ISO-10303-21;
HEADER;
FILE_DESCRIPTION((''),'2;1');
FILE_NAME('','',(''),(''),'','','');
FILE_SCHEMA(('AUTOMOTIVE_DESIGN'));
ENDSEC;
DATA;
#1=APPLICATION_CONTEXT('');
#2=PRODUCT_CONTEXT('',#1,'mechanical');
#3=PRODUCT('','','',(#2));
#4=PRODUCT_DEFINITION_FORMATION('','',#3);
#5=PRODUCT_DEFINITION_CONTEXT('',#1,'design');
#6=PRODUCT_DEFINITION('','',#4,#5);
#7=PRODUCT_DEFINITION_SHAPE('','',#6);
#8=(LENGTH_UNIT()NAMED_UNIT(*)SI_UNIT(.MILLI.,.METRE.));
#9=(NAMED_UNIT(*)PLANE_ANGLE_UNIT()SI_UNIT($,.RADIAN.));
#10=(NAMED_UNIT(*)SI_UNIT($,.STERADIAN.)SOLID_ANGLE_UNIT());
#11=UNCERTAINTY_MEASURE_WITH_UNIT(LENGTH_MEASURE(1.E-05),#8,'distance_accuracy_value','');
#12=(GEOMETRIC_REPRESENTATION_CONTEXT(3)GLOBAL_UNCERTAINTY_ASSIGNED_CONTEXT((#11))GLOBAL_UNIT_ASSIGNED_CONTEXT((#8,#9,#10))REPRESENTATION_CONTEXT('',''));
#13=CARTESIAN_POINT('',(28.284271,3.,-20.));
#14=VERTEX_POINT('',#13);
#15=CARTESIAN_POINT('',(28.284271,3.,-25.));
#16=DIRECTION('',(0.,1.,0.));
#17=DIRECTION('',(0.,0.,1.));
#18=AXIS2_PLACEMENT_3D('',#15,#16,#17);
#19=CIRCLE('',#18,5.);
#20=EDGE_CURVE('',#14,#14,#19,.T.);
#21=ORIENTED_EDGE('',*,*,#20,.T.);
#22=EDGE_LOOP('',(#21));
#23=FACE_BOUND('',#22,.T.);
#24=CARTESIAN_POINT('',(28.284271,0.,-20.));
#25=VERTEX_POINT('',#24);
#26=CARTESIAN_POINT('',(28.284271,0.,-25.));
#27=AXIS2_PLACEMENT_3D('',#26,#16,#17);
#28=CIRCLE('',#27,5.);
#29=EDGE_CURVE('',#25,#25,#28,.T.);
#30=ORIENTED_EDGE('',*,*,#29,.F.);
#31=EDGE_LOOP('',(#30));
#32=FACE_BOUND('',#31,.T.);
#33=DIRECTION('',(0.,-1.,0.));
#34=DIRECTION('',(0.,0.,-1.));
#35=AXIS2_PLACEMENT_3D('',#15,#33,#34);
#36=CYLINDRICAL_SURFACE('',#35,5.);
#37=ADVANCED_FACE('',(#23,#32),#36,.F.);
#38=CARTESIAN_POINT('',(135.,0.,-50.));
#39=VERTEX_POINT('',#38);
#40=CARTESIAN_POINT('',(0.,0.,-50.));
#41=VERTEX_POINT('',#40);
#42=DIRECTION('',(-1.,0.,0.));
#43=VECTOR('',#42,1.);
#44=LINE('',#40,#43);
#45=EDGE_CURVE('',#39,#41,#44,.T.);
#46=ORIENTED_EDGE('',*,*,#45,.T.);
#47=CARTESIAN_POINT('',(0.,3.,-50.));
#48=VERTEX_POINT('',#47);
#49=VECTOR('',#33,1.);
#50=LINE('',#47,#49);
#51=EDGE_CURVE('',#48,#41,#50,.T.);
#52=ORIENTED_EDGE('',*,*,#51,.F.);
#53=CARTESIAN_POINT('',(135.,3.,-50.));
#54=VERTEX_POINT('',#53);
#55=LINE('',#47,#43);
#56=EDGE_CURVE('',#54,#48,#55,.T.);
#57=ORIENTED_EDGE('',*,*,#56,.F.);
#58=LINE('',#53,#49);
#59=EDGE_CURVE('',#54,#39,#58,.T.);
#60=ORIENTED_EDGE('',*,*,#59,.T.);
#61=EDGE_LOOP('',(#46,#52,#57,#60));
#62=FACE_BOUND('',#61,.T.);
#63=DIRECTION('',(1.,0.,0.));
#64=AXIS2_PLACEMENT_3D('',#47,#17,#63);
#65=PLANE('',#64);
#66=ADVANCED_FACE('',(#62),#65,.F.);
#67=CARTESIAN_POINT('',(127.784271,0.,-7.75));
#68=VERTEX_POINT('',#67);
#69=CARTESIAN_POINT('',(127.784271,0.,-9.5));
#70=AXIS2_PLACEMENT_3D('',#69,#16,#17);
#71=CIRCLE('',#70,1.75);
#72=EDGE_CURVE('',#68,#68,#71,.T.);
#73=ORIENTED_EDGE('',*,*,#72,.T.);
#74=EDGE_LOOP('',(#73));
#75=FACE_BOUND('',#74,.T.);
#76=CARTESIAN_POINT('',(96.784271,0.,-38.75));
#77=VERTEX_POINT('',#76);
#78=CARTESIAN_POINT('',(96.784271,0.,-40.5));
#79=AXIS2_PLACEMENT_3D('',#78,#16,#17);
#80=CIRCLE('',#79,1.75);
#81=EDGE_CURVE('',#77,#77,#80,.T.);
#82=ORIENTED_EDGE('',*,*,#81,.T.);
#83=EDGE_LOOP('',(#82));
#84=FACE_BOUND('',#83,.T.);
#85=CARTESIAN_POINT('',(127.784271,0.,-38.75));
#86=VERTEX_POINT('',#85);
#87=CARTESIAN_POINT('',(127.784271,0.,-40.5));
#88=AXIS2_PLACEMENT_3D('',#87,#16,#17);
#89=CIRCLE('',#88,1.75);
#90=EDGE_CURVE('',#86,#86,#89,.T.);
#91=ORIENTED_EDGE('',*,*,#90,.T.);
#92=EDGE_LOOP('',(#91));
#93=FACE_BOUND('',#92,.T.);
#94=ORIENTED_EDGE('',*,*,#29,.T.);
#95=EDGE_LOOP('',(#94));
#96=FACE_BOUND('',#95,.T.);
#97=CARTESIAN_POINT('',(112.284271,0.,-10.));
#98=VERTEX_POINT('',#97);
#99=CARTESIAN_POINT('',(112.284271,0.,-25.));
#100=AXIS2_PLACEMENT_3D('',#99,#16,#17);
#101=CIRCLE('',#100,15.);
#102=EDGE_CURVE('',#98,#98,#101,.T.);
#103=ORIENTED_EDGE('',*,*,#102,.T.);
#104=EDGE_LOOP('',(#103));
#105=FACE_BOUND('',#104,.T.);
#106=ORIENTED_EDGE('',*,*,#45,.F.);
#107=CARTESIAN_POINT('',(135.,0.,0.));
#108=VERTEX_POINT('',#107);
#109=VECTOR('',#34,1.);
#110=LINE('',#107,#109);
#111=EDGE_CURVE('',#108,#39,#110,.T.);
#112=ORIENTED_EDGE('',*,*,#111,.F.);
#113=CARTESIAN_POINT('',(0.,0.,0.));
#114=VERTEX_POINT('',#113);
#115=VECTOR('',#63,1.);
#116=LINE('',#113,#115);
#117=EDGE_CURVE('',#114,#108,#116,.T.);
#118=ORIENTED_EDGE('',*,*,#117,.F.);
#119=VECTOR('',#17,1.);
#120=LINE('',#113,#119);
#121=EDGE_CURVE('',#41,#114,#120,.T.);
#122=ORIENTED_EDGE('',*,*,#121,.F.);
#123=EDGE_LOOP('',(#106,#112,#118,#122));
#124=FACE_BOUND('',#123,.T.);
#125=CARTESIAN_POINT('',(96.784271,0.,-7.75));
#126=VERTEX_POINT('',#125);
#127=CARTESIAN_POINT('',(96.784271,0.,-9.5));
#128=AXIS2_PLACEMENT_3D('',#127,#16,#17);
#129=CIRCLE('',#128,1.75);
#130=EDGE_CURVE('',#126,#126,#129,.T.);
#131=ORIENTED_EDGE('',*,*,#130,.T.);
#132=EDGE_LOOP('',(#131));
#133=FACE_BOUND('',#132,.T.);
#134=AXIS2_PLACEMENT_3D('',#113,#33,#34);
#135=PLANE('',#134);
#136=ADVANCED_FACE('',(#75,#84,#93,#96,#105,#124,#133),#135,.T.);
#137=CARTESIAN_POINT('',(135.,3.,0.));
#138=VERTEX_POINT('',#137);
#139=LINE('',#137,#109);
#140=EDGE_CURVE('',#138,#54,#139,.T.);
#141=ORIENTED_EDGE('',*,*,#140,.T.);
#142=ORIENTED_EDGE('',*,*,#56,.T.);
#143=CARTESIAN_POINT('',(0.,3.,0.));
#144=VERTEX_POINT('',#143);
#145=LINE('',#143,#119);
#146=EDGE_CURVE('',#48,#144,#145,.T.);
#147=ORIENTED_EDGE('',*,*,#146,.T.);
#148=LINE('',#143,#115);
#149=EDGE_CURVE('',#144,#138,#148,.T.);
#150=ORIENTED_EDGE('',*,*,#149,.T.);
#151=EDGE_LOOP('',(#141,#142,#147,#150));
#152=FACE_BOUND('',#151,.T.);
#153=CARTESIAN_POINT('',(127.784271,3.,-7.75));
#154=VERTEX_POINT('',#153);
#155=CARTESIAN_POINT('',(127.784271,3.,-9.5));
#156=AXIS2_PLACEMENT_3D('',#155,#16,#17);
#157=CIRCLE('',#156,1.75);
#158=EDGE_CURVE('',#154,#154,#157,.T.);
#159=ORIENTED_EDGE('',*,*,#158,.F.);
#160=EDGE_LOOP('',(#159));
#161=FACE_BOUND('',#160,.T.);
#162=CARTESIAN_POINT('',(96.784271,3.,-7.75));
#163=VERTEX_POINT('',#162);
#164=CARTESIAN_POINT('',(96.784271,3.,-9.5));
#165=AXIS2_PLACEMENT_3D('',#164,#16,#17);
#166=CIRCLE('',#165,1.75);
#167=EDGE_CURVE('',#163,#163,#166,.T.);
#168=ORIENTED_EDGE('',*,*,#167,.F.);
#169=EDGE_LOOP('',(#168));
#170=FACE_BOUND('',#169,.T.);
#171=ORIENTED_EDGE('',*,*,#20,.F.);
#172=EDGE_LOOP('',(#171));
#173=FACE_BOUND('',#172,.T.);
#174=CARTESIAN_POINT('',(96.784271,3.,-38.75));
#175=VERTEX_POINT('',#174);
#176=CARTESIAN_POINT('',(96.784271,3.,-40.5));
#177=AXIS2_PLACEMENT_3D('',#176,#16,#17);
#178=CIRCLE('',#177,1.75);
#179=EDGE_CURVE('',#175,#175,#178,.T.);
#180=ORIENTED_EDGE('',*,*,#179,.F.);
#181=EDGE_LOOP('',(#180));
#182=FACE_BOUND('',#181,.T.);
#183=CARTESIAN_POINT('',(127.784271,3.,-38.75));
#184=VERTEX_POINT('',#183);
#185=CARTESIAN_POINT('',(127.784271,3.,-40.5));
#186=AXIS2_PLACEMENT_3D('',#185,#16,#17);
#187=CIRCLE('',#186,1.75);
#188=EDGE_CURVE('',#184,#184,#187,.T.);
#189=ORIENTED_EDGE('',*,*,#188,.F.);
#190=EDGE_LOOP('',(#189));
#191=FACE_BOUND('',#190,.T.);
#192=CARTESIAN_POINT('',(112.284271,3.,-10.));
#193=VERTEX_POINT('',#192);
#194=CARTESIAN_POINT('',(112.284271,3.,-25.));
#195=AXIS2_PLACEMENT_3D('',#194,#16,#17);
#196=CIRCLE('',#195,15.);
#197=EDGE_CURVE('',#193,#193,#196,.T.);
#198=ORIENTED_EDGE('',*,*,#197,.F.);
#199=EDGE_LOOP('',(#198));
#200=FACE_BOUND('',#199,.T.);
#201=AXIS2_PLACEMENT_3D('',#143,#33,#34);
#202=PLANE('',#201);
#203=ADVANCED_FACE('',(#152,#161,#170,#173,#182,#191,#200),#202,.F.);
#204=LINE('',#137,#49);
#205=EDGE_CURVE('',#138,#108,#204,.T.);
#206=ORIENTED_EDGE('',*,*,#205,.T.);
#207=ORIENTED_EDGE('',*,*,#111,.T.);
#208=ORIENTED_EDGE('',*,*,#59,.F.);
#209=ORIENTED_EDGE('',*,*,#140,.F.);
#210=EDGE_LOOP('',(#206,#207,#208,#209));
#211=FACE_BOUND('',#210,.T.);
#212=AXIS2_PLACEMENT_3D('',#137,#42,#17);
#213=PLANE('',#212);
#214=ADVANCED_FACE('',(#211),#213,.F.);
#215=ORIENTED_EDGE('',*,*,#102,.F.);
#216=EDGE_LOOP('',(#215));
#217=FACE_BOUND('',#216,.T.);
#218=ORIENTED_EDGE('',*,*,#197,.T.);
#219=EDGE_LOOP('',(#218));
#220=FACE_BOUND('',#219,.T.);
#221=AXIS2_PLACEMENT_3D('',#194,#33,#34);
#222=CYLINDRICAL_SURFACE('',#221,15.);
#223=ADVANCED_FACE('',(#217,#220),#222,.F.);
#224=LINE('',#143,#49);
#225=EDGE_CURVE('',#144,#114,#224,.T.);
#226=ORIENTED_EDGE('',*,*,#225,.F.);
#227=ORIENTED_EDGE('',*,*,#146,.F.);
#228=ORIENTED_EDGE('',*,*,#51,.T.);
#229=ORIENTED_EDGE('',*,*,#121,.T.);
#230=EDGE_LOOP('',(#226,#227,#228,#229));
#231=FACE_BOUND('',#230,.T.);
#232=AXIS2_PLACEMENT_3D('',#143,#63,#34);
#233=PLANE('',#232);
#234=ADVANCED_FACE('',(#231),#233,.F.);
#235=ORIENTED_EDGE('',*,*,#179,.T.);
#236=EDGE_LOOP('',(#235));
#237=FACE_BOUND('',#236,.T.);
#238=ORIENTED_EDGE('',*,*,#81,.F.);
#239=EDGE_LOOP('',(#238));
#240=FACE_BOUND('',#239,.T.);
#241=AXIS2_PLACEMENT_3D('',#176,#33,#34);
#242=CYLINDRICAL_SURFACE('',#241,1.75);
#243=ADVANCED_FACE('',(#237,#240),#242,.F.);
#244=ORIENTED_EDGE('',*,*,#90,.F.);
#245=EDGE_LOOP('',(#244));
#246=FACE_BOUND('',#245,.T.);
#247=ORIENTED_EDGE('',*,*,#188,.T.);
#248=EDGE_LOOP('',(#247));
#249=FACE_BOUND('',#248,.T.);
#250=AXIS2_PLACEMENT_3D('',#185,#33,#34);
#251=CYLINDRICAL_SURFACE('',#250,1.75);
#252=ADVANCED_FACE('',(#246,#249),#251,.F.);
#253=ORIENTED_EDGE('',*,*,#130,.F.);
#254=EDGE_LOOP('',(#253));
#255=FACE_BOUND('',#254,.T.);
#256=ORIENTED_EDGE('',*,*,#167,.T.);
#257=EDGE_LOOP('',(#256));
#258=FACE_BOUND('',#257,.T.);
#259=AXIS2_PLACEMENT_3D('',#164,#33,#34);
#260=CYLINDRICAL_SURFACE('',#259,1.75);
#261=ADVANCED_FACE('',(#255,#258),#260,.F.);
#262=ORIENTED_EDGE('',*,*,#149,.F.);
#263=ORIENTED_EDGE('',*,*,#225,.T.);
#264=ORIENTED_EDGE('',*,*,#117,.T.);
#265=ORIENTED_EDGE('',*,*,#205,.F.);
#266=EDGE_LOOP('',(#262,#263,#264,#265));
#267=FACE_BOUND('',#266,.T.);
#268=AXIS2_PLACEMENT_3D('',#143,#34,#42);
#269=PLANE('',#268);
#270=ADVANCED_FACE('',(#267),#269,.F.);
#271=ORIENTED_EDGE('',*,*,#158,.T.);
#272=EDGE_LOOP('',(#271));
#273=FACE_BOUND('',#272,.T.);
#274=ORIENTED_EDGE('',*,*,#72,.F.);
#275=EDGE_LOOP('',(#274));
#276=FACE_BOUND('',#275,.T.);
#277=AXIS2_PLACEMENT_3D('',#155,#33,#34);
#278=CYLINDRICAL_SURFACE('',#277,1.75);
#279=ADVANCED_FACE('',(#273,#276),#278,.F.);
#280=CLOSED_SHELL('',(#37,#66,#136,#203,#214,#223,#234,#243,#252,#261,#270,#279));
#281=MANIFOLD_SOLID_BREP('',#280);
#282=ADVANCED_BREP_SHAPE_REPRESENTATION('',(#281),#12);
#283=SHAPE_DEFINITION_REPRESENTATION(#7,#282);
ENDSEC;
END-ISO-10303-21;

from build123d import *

# Parameters (mm, degrees)
SKETCH1_W           = 135
SKETCH1_H           = 50
SKETCH1_R           = 5
SKETCH1_R_2         = 15
SKETCH1_R_3         = 1.75
BOSS_EXTRUDE1_DEPTH = 3


with BuildPart() as part:
    # Sketch1 → Boss-Extrude1 (new body)
    with BuildSketch(Plane(origin=(0, 0, 0), x_dir=(1, 0, 0), z_dir=(0, 1, 0))):
        with Locations((67.5, 25)):
            Rectangle(SKETCH1_W, SKETCH1_H)
        with Locations(Location((28.284271247, 25, 0), (0, 0, 270))):
            Circle(SKETCH1_R, mode=Mode.SUBTRACT)
        with Locations(Location((112.284271247, 25, 0), (0, 0, 270))):
            Circle(SKETCH1_R_2, mode=Mode.SUBTRACT)
        with Locations(Location((96.784271247, 40.5, 0), (0, 0, 270))):
            Circle(SKETCH1_R_3, mode=Mode.SUBTRACT)
        with Locations(Location((96.784271247, 9.5, 0), (0, 0, 270))):
            Circle(SKETCH1_R_3, mode=Mode.SUBTRACT)
        with Locations(Location((127.784271247, 9.5, 0), (0, 0, 270))):
            Circle(SKETCH1_R_3, mode=Mode.SUBTRACT)
        with Locations(Location((127.784271247, 40.5, 0), (0, 0, 270))):
            Circle(SKETCH1_R_3, mode=Mode.SUBTRACT)
    extrude(amount=BOSS_EXTRUDE1_DEPTH)


solid = part.part
